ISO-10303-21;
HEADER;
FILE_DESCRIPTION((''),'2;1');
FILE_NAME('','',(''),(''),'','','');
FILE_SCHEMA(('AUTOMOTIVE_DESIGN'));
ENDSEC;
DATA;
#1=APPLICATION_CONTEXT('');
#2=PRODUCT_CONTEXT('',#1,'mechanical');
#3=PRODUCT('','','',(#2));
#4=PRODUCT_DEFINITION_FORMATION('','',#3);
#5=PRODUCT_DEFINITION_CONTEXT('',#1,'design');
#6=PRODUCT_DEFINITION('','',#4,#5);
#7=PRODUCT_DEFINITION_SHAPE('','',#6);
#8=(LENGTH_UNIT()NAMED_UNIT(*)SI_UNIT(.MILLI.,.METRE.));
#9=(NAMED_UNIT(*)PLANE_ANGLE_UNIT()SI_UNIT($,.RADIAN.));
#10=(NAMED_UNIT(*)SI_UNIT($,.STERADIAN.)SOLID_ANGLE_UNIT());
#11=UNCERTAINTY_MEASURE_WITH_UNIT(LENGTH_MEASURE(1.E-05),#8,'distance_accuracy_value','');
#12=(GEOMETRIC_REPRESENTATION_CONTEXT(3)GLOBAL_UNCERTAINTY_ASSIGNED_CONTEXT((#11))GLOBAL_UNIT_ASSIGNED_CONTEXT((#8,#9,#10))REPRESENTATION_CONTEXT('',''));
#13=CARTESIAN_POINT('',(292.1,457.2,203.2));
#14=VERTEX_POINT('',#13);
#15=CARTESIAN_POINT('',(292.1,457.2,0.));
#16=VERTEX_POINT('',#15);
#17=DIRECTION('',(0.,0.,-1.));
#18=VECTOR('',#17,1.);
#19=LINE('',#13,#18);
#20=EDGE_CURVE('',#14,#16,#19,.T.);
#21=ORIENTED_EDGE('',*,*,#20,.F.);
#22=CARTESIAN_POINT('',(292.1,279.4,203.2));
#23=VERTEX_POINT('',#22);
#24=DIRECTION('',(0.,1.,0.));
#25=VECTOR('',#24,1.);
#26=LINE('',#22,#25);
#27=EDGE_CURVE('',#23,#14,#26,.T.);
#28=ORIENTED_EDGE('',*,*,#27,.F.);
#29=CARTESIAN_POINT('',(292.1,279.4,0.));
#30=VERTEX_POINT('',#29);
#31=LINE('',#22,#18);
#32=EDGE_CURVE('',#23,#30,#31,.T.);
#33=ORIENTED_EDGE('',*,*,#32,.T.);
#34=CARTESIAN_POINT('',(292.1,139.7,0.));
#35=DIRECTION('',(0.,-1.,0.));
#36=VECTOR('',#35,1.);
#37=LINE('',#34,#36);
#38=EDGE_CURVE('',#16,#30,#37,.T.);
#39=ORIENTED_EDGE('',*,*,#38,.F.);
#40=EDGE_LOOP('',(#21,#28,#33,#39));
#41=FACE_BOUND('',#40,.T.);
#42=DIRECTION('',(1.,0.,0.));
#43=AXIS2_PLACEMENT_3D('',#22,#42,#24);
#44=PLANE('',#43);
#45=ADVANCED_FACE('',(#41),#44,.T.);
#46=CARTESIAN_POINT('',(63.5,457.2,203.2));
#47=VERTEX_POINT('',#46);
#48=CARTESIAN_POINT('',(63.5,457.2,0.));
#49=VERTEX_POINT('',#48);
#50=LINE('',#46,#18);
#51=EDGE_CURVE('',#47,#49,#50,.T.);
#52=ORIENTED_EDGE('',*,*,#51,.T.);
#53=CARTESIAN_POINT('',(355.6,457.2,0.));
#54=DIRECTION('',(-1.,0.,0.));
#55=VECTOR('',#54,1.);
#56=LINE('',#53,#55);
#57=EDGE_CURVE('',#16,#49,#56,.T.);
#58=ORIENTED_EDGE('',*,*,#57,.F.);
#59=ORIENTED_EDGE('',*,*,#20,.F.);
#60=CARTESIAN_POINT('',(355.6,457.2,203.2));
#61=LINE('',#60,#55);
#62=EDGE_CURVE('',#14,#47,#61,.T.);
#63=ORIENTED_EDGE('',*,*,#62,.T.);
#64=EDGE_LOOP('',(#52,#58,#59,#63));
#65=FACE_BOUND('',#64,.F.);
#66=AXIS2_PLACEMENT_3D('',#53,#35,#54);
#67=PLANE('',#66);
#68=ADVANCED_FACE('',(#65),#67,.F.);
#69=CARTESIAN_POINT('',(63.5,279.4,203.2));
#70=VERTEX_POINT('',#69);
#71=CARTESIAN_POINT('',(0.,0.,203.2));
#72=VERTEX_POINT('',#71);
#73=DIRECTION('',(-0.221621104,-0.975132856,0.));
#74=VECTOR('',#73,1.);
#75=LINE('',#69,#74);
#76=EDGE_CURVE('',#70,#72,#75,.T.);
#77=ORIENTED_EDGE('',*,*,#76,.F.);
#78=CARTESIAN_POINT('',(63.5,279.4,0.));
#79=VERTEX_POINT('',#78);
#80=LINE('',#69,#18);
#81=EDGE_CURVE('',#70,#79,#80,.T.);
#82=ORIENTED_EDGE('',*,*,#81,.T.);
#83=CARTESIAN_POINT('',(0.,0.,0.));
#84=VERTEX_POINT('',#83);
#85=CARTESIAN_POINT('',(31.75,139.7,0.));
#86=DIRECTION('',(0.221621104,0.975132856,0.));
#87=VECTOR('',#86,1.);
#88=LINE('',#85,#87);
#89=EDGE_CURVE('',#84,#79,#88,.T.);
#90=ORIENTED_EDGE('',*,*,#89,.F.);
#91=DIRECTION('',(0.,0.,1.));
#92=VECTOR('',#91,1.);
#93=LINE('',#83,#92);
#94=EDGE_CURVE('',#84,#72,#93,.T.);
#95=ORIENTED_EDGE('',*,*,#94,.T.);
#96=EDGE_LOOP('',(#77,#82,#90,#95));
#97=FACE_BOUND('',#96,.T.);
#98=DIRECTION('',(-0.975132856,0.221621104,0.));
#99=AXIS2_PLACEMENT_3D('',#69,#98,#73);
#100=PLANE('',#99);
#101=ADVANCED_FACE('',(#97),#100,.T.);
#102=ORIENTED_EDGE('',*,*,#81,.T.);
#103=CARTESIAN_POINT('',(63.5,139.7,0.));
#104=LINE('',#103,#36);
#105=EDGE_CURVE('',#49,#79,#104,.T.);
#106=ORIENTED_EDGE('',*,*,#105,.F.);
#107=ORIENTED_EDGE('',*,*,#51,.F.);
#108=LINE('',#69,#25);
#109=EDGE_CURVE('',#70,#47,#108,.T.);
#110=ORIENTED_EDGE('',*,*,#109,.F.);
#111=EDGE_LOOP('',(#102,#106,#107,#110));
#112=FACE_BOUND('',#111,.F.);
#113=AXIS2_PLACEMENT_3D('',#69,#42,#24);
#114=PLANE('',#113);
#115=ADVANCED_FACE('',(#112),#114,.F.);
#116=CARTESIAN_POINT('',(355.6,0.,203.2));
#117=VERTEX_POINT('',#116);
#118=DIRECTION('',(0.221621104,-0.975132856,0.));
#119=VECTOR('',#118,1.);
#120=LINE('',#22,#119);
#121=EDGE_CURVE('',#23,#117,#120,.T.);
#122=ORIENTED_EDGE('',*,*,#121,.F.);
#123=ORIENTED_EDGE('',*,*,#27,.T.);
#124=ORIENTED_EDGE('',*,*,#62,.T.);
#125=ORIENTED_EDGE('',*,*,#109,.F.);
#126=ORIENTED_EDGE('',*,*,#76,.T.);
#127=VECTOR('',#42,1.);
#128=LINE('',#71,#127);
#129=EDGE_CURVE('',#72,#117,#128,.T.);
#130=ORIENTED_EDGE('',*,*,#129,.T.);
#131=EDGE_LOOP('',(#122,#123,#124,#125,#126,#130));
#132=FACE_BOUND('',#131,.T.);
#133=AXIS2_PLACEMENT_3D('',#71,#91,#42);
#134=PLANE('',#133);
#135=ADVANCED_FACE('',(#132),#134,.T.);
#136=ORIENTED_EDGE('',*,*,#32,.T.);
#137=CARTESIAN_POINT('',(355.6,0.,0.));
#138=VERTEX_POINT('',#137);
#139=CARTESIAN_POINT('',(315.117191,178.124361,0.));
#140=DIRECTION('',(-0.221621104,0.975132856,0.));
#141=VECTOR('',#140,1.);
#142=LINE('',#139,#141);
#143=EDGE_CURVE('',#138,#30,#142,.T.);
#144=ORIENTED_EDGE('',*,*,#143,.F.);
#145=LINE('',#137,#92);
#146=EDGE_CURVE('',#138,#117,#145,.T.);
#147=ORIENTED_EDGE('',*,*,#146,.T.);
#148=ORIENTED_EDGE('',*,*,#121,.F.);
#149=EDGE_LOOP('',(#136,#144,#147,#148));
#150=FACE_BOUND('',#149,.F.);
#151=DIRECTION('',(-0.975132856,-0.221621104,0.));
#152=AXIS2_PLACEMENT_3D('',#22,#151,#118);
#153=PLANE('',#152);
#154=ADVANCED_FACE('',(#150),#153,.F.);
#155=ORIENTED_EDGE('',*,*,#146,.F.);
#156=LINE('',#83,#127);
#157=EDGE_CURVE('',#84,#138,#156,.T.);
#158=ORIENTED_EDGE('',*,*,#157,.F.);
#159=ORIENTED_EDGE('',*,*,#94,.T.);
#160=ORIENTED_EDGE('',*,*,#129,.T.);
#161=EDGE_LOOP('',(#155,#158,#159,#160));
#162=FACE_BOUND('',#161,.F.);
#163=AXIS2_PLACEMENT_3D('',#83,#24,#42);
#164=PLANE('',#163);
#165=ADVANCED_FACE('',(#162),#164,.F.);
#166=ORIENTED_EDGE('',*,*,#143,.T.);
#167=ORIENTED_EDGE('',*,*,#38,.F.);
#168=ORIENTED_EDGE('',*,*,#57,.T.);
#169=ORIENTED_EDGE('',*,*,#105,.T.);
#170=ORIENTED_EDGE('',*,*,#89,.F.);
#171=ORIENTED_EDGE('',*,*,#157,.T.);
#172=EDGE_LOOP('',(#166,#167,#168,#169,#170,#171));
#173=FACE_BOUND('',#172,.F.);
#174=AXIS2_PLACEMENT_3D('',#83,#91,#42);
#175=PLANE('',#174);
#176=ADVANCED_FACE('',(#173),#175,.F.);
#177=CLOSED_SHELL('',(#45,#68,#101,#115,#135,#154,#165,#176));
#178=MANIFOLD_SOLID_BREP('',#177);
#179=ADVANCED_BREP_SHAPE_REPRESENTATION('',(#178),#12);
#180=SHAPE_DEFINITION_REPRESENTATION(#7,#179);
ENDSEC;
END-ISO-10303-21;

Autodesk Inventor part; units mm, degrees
ref_plane "YZ Plane" through (0, 0, 0) normal (1, 0, 0) x (0, 1, 0)
ref_plane "XZ Plane" through (0, 0, 0) normal (0, 1, 0) x (-1, 0, 0)
ref_plane "XY Plane" through (0, 0, 0) normal (0, 0, 1) x (1, 0, 0)
sketch "Sketch1" plane through (0, 0, 0) normal (0, 0, 1) x (1, 0, 0)
  line L0 (0, 0) -> (355.6, 0)
  line L1 (355.6, 0) -> (355.6, 457.2)
  line L2 (355.6, 457.2) -> (0, 457.2)
  line L3 (0, 457.2) -> (0, 0)
  dimension "d2" = 355.6
  dimension "d3" = 457.2
extrude "Extrusion1" add sketch "Sketch1" along normal blind 203.2
sketch "Sketch2" plane through (0, 0, 203.2) normal (0, 0, 1) x (1, 0, 0)
  line L0 (0, 0) -> (0, 457.2) projected
  line L1 (355.6, 0) -> (0, 0) projected
  line L2 (355.6, 457.2) -> (355.6, 0) projected
  line L3 (0, 457.2) -> (355.6, 457.2) projected
  line L4 (0, 279.4) -> (63.5, 279.4) construction
  line L5 (63.5, 279.4) -> (292.1, 279.4) construction
  line L6 (292.1, 279.4) -> (355.6, 279.4) construction
  line L7 (63.5, 279.4) -> (0, 0)
  line L8 (292.1, 279.4) -> (355.6, 0)
  line L9 (63.5, 279.4) -> (63.5, 457.2)
  line L10 (0, 457.2) -> (0, 0)
  line L11 (292.1, 279.4) -> (292.1, 457.2)
  line L12 (355.6, 457.2) -> (355.6, 0)
  dimension "d4" = 279.4
  dimension "d5" = 228.6
extrude "Extrusion2" cut sketch "Sketch2" against normal up to next contours L0 L3 L9 L7 | L8 L11 L3 L2
properties part number "Conveyor_Representation_FloorPickup"
